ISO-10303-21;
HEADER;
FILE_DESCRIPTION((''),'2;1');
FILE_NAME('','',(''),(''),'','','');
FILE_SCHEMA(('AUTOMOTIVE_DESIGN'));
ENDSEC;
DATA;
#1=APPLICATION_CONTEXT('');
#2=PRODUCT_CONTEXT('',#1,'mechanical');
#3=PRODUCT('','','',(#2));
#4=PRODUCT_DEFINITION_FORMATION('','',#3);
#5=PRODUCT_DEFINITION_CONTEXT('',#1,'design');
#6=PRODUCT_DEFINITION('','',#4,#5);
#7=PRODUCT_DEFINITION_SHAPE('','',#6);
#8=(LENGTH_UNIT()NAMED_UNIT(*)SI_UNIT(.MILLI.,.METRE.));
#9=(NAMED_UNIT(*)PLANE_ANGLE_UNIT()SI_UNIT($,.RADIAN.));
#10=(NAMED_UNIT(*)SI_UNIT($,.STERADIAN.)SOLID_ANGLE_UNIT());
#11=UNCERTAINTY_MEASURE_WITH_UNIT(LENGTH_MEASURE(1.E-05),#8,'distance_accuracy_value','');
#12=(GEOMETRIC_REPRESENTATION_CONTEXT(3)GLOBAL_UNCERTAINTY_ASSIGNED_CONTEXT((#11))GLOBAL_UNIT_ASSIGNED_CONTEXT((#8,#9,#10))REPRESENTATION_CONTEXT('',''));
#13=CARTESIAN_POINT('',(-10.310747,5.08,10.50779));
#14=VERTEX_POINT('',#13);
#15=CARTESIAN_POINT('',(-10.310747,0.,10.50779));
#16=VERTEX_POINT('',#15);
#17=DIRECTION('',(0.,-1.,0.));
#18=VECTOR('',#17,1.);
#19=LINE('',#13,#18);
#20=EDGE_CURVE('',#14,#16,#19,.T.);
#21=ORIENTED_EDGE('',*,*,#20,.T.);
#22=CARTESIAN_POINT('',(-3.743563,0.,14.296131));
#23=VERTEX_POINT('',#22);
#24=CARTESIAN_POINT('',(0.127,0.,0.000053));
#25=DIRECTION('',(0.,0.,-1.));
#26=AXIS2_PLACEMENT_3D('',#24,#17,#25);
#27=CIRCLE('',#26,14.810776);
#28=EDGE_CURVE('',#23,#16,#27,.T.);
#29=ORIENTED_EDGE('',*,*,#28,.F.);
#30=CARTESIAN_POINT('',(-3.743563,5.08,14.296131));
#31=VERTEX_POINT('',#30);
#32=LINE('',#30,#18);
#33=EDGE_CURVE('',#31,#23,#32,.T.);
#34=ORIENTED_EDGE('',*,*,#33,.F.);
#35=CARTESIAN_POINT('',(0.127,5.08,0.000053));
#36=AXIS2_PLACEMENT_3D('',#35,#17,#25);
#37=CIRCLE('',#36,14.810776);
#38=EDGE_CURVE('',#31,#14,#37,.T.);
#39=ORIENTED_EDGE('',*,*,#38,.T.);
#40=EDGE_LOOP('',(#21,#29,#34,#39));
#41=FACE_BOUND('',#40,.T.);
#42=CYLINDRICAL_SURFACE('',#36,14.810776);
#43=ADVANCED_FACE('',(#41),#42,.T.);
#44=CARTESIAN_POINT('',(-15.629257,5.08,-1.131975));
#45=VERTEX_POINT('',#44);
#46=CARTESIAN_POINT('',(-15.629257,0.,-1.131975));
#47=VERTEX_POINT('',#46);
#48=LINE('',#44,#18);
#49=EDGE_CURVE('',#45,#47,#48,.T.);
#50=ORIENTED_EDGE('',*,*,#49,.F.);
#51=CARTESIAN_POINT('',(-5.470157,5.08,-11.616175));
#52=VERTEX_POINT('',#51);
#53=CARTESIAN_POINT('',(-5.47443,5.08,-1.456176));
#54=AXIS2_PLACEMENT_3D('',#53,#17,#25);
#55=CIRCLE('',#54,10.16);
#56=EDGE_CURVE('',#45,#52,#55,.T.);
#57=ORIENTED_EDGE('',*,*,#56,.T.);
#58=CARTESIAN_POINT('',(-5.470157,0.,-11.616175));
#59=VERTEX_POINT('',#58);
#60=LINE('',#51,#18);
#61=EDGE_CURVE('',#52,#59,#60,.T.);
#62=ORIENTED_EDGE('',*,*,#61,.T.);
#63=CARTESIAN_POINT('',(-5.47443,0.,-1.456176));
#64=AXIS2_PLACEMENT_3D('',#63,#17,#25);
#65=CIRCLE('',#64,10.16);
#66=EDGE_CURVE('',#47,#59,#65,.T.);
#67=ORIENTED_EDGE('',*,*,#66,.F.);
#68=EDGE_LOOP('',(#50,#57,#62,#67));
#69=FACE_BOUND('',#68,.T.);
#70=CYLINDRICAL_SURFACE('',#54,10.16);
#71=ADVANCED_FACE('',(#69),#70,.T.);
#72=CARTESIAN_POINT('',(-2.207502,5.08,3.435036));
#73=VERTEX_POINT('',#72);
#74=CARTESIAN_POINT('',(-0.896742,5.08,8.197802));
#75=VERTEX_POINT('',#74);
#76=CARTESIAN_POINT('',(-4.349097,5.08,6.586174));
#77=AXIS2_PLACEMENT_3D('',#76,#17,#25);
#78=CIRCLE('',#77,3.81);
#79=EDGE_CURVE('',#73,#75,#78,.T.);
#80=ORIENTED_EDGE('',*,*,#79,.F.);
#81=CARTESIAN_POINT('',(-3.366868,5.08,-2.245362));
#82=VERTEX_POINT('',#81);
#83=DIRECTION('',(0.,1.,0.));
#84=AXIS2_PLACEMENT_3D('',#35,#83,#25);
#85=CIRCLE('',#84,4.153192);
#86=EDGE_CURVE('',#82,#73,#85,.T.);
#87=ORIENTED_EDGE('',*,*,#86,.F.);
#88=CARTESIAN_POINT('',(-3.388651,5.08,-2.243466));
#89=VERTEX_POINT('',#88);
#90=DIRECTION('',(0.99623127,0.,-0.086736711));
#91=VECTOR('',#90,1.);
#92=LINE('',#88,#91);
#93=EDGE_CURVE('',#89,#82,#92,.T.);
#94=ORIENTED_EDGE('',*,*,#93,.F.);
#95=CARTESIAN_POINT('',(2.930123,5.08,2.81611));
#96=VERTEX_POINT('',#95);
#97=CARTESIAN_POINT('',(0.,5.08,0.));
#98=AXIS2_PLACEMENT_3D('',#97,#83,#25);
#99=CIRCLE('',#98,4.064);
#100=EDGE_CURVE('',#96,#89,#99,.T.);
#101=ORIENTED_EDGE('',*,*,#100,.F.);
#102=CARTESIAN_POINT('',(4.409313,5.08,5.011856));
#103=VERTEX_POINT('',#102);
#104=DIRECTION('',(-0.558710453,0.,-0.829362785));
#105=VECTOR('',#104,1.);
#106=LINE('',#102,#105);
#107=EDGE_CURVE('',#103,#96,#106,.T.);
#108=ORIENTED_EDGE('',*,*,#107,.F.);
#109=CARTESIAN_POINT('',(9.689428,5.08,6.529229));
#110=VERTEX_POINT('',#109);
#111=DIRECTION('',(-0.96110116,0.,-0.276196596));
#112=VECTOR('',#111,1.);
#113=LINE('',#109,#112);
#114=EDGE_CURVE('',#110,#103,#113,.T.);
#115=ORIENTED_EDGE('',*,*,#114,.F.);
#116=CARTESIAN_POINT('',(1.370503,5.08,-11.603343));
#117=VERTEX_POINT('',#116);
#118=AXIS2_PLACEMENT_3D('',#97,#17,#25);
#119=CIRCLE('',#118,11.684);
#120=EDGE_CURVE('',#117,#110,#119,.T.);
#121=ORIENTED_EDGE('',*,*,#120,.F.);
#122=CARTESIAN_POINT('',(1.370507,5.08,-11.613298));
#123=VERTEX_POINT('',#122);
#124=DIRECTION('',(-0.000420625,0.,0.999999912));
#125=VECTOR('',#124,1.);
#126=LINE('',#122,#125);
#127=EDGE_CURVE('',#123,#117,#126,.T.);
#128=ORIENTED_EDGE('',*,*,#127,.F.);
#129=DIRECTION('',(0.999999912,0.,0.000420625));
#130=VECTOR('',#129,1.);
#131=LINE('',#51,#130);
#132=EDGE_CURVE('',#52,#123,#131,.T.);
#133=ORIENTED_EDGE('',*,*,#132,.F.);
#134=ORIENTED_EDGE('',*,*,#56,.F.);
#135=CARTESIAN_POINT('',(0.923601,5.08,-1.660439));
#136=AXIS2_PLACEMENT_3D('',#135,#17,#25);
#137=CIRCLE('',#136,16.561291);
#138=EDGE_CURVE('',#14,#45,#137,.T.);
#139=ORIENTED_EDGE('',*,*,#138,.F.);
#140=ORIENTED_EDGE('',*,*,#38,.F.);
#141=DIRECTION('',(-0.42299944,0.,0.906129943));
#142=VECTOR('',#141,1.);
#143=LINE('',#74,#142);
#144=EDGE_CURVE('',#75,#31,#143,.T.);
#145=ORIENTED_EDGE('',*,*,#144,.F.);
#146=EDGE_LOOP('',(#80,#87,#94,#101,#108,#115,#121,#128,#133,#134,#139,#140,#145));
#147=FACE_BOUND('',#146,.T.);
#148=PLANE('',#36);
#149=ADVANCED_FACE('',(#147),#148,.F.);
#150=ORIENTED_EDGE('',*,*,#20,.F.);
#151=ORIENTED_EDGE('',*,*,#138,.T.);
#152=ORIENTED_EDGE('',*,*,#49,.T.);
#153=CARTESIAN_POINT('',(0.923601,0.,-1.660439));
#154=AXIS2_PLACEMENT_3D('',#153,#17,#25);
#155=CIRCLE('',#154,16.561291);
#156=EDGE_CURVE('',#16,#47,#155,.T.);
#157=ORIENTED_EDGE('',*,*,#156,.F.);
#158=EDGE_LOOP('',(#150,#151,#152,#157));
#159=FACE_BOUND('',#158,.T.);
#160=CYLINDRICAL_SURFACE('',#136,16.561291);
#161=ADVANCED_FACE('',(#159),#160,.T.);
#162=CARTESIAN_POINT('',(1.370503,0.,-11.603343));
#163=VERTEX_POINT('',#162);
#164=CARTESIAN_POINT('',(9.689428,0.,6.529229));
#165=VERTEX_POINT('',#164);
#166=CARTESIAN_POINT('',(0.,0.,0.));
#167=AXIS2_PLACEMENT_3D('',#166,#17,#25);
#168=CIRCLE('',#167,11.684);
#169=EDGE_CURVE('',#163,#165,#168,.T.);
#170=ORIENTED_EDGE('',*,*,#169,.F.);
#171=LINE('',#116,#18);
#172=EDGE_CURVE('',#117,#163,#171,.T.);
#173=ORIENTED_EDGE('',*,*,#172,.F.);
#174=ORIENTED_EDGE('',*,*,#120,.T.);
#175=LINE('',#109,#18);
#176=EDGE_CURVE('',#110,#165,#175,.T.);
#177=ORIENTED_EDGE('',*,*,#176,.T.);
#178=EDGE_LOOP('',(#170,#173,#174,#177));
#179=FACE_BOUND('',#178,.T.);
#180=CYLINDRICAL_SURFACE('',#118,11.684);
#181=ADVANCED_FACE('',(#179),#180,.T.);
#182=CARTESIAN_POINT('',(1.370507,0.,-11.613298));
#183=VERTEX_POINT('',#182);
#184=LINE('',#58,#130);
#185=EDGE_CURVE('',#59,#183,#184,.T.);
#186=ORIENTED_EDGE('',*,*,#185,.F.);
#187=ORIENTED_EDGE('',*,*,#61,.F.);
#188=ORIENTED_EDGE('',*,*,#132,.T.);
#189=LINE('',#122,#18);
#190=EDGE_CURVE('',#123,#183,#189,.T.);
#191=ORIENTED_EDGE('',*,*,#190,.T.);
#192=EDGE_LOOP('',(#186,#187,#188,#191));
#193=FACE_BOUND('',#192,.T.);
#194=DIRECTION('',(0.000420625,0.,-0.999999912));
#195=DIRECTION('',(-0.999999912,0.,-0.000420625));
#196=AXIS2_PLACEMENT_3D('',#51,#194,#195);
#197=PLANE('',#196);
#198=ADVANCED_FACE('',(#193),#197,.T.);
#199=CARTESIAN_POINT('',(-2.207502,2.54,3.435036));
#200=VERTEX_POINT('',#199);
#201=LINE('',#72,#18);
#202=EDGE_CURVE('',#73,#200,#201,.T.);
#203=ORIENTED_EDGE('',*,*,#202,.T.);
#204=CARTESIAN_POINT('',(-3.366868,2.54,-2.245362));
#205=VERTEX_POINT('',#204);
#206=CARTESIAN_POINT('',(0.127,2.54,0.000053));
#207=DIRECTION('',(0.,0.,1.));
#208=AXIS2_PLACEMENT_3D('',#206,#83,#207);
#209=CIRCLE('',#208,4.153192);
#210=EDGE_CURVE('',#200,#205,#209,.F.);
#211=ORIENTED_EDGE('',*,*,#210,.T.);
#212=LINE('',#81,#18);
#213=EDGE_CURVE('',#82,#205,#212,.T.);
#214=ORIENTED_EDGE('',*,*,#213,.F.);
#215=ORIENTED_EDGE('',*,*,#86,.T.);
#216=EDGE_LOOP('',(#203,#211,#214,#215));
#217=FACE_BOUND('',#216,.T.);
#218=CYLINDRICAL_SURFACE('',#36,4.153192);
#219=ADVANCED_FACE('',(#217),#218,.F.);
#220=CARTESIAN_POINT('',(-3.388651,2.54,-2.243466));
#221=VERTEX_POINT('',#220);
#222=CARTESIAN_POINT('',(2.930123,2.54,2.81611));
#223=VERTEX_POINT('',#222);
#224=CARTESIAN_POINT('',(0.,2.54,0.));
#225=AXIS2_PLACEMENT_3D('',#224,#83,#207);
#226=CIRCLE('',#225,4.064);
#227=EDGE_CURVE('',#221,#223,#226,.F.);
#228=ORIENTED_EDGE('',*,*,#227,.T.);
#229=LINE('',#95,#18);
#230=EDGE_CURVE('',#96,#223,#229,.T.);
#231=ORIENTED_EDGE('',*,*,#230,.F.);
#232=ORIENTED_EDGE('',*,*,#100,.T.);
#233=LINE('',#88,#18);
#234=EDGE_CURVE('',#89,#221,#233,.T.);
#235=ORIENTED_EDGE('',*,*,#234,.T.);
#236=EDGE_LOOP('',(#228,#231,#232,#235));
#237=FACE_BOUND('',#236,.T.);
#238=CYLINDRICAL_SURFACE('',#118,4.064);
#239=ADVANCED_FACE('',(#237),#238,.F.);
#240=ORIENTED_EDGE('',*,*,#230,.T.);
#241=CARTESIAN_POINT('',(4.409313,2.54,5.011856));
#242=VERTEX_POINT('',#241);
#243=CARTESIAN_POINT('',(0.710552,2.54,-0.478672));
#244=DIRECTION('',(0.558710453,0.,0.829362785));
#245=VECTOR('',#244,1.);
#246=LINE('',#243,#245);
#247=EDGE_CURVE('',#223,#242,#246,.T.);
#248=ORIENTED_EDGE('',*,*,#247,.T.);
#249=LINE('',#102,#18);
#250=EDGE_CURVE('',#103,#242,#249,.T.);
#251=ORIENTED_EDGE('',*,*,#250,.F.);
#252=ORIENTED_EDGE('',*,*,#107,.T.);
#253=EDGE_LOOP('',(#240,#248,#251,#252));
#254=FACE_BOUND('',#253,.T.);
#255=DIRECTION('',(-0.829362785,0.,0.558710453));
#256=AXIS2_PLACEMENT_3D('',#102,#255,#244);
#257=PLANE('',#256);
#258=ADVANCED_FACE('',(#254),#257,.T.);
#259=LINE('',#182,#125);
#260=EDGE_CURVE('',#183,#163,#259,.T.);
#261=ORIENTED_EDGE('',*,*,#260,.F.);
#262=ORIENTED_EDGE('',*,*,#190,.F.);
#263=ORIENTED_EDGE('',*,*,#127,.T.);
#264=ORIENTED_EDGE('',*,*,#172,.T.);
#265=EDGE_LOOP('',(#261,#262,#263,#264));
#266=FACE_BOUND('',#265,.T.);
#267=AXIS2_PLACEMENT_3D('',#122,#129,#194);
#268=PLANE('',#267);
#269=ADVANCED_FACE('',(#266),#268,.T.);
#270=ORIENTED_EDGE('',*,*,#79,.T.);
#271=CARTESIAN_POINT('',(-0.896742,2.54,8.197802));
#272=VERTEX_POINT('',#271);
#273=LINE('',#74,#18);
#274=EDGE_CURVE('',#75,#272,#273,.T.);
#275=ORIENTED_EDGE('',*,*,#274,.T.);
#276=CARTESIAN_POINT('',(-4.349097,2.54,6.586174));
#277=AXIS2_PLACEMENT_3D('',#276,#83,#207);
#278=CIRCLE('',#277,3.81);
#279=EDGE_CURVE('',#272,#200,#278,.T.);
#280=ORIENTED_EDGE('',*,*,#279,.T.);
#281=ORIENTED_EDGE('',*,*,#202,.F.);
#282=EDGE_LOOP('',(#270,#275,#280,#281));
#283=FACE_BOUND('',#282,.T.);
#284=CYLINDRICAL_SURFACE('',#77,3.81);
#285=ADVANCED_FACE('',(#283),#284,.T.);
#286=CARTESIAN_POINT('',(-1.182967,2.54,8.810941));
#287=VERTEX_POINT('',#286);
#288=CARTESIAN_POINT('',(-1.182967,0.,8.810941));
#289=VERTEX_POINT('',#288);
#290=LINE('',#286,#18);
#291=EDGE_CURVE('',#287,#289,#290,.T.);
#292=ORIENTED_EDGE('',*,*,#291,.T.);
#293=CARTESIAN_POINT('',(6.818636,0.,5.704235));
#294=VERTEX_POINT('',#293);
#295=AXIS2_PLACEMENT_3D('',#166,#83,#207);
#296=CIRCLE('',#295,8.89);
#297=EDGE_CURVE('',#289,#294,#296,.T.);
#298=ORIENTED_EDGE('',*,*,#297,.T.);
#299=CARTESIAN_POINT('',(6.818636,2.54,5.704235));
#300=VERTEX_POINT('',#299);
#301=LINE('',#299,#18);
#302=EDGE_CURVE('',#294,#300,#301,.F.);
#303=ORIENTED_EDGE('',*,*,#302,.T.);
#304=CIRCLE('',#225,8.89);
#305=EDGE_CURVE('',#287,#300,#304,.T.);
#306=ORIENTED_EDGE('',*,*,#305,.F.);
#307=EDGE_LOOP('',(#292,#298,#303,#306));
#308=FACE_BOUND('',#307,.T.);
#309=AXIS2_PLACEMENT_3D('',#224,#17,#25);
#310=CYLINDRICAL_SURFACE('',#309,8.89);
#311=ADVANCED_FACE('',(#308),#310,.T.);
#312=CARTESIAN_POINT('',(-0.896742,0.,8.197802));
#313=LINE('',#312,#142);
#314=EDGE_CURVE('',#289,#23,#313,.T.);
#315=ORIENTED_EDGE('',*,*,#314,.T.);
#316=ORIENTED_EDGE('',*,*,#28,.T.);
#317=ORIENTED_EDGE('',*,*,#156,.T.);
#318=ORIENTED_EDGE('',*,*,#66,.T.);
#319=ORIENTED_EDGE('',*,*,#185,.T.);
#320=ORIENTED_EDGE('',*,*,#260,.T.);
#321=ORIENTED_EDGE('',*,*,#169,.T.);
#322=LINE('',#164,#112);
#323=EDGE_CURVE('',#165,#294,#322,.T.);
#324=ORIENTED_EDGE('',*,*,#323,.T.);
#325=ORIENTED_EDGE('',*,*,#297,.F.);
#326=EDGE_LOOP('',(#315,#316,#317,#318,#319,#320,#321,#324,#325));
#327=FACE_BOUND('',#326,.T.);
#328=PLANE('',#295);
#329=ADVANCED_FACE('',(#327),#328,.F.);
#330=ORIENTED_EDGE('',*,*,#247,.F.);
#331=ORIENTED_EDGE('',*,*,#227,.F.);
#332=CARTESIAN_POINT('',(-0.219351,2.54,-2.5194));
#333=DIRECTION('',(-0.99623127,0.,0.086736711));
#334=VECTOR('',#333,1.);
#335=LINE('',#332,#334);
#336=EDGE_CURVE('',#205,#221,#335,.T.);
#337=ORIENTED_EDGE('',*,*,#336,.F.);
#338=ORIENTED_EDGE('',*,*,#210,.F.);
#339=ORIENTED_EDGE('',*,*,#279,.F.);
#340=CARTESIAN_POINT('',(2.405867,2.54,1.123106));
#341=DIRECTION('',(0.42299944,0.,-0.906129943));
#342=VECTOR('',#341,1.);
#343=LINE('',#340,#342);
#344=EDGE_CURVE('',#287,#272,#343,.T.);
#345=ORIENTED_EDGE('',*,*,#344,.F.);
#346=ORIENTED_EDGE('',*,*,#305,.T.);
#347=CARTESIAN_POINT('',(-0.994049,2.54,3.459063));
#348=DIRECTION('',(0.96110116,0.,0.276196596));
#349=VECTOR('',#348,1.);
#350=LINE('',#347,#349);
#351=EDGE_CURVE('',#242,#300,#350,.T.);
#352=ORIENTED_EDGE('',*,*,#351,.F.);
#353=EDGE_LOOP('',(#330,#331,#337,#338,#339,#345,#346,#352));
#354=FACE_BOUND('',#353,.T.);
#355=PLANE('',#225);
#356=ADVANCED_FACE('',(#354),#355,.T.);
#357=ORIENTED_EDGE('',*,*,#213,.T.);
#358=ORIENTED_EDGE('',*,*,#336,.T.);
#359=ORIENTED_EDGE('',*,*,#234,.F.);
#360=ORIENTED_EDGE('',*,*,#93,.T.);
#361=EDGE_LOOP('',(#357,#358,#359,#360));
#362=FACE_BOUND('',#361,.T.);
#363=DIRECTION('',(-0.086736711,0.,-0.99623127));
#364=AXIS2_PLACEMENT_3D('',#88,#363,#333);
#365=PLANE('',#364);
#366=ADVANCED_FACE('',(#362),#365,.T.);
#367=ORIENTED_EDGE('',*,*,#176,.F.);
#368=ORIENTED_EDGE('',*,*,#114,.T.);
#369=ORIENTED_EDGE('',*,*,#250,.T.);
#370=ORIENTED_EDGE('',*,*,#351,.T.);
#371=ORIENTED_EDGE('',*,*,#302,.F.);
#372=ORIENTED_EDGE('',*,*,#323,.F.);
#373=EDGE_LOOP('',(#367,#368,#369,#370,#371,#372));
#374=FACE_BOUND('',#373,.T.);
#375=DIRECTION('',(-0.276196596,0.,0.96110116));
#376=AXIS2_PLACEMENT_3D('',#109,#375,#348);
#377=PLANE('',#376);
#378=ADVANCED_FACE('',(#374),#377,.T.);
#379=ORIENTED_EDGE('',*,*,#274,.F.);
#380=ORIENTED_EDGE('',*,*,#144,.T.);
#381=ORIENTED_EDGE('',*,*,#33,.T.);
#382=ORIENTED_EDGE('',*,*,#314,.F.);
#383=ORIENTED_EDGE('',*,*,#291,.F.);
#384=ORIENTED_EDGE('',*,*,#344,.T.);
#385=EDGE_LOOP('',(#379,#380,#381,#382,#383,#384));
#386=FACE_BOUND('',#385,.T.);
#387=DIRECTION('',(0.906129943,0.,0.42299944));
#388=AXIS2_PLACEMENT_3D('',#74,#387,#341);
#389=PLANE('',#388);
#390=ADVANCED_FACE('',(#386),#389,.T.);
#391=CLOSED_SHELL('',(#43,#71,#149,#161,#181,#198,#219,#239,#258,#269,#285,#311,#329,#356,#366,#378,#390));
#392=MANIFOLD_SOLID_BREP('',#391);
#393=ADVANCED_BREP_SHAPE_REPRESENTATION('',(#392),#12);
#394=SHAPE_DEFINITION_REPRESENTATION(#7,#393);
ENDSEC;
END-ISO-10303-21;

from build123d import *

# Parameters (mm, degrees)
SKETCH1_R           = 8.89
BOSS_EXTRUDE1_DEPTH = 2.54
BOSS_EXTRUDE2_DEPTH = 5.08


with BuildPart() as part:
    # Sketch1 → Boss-Extrude1 (new body)
    with BuildSketch(Plane(origin=(0, 0, 0), x_dir=(1, 0, 0), z_dir=(0, 1, 0))):
        Circle(SKETCH1_R)
    extrude(amount=BOSS_EXTRUDE1_DEPTH)

    # Sketch2 → Boss-Extrude2 (add)
    with BuildSketch(Plane.XZ):
        with BuildLine():
            Line((-5.470156896, -11.616175324), (1.370506729, -11.61329797))
            Line((1.370506729, -11.61329797), (1.370502542, -11.603343431))
            ThreePointArc((1.370502542, -11.603343431), (10.619701794, -4.872144272), (9.689428275, 6.529229334))
            Line((9.689428275, 6.529229334), (4.409313475, 5.011855517))
            Line((4.409313475, 5.011855517), (2.930122665, 2.816110291))
            ThreePointArc((2.930122665, 2.816110291), (2.540155429, -3.172334534), (-3.388651254, -2.243465774))
            Line((-3.388651254, -2.243465774), (-3.366867699, -2.245362356))
            ThreePointArc((-3.366867699, -2.245362356), (-3.942300227, 0.830594917), (-2.207502202, 3.435035653))
            ThreePointArc((-2.207502202, 3.435035653), (-0.675671449, 5.575210871), (-0.89674169, 8.197801836))
            Line((-0.89674169, 8.197801836), (-3.743562754, 14.29613097))
            ThreePointArc((-3.743562754, 14.29613097), (-7.273662922, 12.829288696), (-10.310746752, 10.507790201))
            ThreePointArc((-10.310746752, 10.507790201), (-14.139706345, 5.222375996), (-15.629256563, -1.131974878))
            ThreePointArc((-15.629256563, -1.131974878), (-12.770870955, -8.526364048), (-5.470156896, -11.616175324))
        make_face()
    extrude(amount=-BOSS_EXTRUDE2_DEPTH)


solid = part.part
